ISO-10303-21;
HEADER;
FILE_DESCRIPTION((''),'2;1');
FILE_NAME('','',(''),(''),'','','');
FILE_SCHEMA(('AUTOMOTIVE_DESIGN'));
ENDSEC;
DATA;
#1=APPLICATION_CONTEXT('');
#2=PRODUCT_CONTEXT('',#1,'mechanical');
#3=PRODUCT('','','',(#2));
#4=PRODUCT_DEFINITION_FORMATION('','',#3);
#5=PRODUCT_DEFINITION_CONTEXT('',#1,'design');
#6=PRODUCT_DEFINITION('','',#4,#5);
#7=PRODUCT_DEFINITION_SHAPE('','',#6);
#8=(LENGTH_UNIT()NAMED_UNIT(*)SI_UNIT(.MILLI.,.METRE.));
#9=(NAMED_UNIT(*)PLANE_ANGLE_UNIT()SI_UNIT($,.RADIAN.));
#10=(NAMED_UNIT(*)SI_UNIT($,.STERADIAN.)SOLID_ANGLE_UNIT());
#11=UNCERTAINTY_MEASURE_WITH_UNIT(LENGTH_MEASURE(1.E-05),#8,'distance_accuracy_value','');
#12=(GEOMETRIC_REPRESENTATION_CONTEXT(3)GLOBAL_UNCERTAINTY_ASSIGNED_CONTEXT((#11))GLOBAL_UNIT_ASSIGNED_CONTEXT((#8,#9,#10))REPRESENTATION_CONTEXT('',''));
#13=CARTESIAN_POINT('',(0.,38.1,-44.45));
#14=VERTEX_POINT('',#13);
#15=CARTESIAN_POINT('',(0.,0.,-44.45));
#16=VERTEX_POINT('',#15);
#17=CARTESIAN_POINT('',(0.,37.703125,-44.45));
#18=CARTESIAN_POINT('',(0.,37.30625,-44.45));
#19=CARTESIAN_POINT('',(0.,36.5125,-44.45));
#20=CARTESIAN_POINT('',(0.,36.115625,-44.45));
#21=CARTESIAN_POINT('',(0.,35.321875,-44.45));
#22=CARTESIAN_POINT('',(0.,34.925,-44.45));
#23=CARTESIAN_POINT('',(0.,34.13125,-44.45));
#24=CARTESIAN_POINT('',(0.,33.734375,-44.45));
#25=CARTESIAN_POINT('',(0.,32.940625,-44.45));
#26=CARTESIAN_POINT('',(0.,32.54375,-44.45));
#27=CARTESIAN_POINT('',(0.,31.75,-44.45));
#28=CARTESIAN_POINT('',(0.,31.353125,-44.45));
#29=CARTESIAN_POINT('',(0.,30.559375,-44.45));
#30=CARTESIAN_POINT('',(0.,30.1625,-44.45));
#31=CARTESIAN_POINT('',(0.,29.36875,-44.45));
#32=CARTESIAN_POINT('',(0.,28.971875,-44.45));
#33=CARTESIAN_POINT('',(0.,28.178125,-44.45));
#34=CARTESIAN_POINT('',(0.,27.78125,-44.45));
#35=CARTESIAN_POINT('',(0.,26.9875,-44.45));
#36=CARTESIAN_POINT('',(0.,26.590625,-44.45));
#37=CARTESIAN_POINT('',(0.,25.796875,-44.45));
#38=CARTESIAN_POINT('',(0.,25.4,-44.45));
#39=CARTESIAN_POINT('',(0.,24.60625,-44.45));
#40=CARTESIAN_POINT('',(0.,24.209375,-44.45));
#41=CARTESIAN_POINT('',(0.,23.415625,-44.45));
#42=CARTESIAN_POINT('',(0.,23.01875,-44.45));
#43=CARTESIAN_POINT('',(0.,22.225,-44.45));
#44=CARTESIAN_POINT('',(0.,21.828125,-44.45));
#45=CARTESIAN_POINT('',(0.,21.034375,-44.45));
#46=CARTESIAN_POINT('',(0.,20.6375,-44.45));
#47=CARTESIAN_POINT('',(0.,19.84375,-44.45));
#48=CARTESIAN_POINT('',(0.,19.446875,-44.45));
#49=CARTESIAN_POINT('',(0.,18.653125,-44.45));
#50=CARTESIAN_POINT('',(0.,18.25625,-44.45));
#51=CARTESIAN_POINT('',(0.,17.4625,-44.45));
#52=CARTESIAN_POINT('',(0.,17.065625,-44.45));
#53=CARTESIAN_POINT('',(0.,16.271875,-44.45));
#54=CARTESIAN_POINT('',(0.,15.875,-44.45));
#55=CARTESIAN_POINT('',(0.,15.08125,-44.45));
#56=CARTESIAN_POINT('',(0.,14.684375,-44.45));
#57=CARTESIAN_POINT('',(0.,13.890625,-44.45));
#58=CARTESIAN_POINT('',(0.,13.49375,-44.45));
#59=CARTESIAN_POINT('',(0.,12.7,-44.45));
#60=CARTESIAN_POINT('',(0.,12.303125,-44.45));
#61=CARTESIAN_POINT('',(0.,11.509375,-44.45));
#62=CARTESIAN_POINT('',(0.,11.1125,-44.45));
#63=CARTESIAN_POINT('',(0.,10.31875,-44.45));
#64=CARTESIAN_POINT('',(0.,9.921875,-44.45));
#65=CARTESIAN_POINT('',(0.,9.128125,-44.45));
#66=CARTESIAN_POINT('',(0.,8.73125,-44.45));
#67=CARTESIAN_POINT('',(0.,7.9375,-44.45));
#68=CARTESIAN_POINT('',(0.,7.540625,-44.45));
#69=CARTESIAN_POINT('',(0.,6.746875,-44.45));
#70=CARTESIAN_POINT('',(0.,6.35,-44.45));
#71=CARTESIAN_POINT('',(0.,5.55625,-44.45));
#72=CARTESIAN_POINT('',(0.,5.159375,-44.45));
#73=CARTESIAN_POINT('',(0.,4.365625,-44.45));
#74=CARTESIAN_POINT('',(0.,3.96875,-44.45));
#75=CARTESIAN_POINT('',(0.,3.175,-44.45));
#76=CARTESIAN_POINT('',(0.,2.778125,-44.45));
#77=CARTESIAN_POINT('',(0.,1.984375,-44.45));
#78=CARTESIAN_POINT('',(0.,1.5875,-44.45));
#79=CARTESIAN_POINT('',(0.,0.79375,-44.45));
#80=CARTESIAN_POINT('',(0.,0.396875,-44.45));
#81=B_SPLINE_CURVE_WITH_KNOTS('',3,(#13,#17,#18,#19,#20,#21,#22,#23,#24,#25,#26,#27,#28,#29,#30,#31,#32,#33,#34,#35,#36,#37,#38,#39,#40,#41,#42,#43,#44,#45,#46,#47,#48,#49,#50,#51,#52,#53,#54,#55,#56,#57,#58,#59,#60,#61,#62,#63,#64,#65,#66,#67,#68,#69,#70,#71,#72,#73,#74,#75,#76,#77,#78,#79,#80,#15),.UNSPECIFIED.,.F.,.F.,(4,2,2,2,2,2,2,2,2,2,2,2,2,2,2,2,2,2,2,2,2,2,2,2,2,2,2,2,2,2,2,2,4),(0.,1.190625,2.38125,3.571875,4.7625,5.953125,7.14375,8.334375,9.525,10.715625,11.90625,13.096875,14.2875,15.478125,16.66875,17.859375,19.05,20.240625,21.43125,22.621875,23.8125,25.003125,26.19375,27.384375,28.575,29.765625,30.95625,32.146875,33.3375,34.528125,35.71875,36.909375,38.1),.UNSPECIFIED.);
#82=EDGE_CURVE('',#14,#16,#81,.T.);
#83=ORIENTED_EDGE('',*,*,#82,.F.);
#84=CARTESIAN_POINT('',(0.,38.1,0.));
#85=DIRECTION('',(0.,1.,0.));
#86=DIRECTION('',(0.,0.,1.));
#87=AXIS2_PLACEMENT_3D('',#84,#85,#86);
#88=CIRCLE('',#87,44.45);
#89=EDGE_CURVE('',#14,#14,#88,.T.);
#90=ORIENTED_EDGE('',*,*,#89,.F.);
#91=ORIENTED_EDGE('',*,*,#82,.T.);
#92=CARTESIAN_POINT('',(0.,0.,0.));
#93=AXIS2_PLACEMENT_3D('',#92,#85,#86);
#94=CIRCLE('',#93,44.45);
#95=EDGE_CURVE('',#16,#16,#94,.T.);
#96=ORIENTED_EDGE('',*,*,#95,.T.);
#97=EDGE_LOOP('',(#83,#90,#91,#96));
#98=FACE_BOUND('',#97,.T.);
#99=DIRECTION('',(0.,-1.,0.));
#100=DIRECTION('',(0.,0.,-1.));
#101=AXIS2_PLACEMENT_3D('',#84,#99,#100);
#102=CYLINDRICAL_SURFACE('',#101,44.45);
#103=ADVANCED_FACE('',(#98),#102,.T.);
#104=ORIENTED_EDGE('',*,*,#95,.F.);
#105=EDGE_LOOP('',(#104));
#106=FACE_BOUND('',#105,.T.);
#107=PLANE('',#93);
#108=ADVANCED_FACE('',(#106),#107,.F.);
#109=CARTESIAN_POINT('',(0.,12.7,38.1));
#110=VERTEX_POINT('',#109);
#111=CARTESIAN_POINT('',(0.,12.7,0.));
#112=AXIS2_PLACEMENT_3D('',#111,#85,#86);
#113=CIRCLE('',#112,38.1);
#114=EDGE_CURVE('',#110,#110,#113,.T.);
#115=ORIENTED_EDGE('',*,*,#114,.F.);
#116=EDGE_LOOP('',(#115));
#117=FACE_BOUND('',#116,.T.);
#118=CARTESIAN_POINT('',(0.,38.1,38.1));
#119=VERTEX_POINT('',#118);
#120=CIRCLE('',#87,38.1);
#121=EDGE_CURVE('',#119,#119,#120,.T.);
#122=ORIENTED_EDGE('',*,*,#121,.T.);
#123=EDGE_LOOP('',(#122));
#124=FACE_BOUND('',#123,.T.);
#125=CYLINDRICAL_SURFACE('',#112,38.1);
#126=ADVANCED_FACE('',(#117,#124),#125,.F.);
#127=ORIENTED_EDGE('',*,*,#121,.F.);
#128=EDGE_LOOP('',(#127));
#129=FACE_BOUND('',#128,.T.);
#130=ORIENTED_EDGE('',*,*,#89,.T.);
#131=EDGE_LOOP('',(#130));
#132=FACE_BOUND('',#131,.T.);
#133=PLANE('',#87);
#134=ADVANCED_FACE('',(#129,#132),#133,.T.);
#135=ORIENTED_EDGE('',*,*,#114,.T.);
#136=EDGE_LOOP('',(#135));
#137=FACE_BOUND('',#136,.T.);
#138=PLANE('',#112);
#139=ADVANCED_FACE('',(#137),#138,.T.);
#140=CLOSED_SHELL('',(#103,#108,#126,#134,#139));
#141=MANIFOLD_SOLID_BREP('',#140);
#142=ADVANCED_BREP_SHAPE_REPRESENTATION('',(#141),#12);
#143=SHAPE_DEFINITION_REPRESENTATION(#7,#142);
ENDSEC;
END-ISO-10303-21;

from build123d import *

# Parameters (mm, degrees)
SKETCH1_R           = 44.45
BOSS_EXTRUDE1_DEPTH = 38.1
SKETCH2_R           = 38.1
CUT_EXTRUDE1_DEPTH  = 25.4


with BuildPart() as part:
    # Sketch1 → Boss-Extrude1 (new body)
    with BuildSketch(Plane(origin=(0, 0, 0), x_dir=(1, 0, 0), z_dir=(0, 1, 0))):
        with Locations(Location((0, 0, 0), (0, 0, 90))):
            Circle(SKETCH1_R)
    extrude(amount=BOSS_EXTRUDE1_DEPTH)

    # Sketch2 → Cut-Extrude1 (cut)
    with BuildSketch(Plane(origin=(0, 38.1, 0), x_dir=(1, 0, 0), z_dir=(0, 1, 0))):
        with Locations(Location((0, 0, 0), (0, 0, 270))):
            Circle(SKETCH2_R)
    extrude(amount=-CUT_EXTRUDE1_DEPTH, mode=Mode.SUBTRACT)


solid = part.part
